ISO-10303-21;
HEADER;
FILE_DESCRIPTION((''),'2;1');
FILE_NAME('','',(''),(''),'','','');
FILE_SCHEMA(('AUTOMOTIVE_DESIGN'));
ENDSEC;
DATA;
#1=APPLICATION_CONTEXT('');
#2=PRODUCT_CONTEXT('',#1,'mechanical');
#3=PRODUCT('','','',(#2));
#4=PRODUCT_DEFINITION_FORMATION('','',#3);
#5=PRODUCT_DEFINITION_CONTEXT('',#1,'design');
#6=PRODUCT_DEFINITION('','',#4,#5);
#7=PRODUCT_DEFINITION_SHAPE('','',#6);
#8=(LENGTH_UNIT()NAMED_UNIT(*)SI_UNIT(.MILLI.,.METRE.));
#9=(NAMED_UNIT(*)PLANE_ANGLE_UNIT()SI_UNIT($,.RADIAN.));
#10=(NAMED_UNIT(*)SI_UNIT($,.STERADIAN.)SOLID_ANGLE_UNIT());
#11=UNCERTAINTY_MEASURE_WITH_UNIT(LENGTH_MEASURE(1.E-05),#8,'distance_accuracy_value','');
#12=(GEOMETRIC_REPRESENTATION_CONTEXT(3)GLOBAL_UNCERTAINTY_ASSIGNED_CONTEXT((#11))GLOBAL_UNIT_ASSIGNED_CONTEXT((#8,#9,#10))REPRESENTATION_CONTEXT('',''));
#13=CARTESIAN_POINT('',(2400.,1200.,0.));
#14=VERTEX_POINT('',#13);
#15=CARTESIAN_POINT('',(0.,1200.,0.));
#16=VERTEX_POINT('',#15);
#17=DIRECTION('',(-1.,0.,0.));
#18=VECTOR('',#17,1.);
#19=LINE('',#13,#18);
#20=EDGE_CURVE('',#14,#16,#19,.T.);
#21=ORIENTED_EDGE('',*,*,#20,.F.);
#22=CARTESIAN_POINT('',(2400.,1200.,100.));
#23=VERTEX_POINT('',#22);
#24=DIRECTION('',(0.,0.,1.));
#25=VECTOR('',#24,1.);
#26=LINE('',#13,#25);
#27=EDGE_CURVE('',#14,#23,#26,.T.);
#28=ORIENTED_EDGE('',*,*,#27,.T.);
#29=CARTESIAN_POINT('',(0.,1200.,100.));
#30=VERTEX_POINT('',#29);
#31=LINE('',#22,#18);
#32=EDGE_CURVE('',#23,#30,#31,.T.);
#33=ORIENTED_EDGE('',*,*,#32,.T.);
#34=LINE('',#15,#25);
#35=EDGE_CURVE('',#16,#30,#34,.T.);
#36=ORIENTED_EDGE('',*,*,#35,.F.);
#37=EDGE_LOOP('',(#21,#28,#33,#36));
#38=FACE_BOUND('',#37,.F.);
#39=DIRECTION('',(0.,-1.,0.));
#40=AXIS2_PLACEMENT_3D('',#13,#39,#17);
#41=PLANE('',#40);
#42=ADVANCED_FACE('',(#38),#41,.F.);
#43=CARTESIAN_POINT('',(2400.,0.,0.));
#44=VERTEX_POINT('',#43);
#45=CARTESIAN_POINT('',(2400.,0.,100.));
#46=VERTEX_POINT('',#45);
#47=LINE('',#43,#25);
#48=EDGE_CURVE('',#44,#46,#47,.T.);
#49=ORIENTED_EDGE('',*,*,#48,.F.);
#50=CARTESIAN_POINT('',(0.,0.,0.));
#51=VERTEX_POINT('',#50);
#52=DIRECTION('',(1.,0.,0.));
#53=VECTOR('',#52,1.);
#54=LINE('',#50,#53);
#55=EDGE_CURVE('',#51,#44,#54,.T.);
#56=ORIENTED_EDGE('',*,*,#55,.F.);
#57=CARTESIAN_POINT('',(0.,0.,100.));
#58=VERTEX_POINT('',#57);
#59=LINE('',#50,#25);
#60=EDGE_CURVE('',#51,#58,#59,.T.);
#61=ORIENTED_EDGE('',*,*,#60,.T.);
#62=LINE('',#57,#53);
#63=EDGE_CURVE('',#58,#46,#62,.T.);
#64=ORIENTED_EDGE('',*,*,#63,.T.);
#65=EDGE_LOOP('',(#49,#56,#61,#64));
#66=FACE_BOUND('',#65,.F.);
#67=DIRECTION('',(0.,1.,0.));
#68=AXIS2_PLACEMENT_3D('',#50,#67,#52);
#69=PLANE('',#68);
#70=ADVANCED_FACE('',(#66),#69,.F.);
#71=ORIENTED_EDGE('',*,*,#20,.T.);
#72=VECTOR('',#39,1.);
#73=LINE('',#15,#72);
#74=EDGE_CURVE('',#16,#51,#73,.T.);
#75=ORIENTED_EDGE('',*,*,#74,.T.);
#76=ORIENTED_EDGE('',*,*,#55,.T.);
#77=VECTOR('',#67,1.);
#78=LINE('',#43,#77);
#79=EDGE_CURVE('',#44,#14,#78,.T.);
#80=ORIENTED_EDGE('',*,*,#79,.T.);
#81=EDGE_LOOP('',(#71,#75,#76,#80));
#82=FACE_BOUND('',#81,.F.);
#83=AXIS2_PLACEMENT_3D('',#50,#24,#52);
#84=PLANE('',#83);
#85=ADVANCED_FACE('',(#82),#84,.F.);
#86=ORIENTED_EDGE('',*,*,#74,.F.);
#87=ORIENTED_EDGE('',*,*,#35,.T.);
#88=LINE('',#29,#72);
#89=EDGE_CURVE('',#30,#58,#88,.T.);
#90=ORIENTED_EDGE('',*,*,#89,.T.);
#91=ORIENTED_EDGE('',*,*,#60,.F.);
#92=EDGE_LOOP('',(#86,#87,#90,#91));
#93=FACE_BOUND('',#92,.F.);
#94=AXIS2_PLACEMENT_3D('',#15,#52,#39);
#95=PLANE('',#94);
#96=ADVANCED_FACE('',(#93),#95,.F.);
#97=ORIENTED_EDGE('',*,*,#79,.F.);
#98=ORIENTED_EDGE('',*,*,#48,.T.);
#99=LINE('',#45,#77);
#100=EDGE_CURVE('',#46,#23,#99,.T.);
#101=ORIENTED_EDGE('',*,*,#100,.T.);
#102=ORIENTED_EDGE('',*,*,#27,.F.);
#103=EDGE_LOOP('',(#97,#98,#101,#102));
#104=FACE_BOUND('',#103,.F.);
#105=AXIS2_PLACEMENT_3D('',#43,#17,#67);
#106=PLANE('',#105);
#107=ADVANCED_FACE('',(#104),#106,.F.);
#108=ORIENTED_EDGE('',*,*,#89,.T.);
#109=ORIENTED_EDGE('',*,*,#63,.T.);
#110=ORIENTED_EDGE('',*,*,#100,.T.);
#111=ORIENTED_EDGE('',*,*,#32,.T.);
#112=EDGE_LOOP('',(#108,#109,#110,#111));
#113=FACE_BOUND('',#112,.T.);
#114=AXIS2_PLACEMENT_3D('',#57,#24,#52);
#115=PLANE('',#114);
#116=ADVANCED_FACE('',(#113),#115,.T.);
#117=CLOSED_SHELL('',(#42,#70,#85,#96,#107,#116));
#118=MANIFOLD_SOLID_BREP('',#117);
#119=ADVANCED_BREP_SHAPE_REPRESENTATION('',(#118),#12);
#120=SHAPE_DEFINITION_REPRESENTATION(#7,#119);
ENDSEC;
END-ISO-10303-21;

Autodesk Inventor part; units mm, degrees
ref_plane "YZ Plane" through (0, 0, 0) normal (1, 0, 0) x (0, 1, 0)
ref_plane "XZ Plane" through (0, 0, 0) normal (0, 1, 0) x (-1, 0, 0)
ref_plane "XY Plane" through (0, 0, 0) normal (0, 0, 1) x (1, 0, 0)
sketch "Sketch6" plane through (0, 0, 0) normal (0, 0, 1) x (1, 0, 0)
  line L0 (0, 0) -> (2400, 0)
  line L1 (2400, 0) -> (2400, 1200)
  line L2 (2400, 1200) -> (0, 1200)
  line L3 (0, 1200) -> (0, 0)
  dimension "d25" = 2400
  dimension "d26" = 1200
extrude "Extrusion4" add sketch "Sketch6" along normal blind 100
properties part number "GraniteEpoxyBase" material "Concrete"
